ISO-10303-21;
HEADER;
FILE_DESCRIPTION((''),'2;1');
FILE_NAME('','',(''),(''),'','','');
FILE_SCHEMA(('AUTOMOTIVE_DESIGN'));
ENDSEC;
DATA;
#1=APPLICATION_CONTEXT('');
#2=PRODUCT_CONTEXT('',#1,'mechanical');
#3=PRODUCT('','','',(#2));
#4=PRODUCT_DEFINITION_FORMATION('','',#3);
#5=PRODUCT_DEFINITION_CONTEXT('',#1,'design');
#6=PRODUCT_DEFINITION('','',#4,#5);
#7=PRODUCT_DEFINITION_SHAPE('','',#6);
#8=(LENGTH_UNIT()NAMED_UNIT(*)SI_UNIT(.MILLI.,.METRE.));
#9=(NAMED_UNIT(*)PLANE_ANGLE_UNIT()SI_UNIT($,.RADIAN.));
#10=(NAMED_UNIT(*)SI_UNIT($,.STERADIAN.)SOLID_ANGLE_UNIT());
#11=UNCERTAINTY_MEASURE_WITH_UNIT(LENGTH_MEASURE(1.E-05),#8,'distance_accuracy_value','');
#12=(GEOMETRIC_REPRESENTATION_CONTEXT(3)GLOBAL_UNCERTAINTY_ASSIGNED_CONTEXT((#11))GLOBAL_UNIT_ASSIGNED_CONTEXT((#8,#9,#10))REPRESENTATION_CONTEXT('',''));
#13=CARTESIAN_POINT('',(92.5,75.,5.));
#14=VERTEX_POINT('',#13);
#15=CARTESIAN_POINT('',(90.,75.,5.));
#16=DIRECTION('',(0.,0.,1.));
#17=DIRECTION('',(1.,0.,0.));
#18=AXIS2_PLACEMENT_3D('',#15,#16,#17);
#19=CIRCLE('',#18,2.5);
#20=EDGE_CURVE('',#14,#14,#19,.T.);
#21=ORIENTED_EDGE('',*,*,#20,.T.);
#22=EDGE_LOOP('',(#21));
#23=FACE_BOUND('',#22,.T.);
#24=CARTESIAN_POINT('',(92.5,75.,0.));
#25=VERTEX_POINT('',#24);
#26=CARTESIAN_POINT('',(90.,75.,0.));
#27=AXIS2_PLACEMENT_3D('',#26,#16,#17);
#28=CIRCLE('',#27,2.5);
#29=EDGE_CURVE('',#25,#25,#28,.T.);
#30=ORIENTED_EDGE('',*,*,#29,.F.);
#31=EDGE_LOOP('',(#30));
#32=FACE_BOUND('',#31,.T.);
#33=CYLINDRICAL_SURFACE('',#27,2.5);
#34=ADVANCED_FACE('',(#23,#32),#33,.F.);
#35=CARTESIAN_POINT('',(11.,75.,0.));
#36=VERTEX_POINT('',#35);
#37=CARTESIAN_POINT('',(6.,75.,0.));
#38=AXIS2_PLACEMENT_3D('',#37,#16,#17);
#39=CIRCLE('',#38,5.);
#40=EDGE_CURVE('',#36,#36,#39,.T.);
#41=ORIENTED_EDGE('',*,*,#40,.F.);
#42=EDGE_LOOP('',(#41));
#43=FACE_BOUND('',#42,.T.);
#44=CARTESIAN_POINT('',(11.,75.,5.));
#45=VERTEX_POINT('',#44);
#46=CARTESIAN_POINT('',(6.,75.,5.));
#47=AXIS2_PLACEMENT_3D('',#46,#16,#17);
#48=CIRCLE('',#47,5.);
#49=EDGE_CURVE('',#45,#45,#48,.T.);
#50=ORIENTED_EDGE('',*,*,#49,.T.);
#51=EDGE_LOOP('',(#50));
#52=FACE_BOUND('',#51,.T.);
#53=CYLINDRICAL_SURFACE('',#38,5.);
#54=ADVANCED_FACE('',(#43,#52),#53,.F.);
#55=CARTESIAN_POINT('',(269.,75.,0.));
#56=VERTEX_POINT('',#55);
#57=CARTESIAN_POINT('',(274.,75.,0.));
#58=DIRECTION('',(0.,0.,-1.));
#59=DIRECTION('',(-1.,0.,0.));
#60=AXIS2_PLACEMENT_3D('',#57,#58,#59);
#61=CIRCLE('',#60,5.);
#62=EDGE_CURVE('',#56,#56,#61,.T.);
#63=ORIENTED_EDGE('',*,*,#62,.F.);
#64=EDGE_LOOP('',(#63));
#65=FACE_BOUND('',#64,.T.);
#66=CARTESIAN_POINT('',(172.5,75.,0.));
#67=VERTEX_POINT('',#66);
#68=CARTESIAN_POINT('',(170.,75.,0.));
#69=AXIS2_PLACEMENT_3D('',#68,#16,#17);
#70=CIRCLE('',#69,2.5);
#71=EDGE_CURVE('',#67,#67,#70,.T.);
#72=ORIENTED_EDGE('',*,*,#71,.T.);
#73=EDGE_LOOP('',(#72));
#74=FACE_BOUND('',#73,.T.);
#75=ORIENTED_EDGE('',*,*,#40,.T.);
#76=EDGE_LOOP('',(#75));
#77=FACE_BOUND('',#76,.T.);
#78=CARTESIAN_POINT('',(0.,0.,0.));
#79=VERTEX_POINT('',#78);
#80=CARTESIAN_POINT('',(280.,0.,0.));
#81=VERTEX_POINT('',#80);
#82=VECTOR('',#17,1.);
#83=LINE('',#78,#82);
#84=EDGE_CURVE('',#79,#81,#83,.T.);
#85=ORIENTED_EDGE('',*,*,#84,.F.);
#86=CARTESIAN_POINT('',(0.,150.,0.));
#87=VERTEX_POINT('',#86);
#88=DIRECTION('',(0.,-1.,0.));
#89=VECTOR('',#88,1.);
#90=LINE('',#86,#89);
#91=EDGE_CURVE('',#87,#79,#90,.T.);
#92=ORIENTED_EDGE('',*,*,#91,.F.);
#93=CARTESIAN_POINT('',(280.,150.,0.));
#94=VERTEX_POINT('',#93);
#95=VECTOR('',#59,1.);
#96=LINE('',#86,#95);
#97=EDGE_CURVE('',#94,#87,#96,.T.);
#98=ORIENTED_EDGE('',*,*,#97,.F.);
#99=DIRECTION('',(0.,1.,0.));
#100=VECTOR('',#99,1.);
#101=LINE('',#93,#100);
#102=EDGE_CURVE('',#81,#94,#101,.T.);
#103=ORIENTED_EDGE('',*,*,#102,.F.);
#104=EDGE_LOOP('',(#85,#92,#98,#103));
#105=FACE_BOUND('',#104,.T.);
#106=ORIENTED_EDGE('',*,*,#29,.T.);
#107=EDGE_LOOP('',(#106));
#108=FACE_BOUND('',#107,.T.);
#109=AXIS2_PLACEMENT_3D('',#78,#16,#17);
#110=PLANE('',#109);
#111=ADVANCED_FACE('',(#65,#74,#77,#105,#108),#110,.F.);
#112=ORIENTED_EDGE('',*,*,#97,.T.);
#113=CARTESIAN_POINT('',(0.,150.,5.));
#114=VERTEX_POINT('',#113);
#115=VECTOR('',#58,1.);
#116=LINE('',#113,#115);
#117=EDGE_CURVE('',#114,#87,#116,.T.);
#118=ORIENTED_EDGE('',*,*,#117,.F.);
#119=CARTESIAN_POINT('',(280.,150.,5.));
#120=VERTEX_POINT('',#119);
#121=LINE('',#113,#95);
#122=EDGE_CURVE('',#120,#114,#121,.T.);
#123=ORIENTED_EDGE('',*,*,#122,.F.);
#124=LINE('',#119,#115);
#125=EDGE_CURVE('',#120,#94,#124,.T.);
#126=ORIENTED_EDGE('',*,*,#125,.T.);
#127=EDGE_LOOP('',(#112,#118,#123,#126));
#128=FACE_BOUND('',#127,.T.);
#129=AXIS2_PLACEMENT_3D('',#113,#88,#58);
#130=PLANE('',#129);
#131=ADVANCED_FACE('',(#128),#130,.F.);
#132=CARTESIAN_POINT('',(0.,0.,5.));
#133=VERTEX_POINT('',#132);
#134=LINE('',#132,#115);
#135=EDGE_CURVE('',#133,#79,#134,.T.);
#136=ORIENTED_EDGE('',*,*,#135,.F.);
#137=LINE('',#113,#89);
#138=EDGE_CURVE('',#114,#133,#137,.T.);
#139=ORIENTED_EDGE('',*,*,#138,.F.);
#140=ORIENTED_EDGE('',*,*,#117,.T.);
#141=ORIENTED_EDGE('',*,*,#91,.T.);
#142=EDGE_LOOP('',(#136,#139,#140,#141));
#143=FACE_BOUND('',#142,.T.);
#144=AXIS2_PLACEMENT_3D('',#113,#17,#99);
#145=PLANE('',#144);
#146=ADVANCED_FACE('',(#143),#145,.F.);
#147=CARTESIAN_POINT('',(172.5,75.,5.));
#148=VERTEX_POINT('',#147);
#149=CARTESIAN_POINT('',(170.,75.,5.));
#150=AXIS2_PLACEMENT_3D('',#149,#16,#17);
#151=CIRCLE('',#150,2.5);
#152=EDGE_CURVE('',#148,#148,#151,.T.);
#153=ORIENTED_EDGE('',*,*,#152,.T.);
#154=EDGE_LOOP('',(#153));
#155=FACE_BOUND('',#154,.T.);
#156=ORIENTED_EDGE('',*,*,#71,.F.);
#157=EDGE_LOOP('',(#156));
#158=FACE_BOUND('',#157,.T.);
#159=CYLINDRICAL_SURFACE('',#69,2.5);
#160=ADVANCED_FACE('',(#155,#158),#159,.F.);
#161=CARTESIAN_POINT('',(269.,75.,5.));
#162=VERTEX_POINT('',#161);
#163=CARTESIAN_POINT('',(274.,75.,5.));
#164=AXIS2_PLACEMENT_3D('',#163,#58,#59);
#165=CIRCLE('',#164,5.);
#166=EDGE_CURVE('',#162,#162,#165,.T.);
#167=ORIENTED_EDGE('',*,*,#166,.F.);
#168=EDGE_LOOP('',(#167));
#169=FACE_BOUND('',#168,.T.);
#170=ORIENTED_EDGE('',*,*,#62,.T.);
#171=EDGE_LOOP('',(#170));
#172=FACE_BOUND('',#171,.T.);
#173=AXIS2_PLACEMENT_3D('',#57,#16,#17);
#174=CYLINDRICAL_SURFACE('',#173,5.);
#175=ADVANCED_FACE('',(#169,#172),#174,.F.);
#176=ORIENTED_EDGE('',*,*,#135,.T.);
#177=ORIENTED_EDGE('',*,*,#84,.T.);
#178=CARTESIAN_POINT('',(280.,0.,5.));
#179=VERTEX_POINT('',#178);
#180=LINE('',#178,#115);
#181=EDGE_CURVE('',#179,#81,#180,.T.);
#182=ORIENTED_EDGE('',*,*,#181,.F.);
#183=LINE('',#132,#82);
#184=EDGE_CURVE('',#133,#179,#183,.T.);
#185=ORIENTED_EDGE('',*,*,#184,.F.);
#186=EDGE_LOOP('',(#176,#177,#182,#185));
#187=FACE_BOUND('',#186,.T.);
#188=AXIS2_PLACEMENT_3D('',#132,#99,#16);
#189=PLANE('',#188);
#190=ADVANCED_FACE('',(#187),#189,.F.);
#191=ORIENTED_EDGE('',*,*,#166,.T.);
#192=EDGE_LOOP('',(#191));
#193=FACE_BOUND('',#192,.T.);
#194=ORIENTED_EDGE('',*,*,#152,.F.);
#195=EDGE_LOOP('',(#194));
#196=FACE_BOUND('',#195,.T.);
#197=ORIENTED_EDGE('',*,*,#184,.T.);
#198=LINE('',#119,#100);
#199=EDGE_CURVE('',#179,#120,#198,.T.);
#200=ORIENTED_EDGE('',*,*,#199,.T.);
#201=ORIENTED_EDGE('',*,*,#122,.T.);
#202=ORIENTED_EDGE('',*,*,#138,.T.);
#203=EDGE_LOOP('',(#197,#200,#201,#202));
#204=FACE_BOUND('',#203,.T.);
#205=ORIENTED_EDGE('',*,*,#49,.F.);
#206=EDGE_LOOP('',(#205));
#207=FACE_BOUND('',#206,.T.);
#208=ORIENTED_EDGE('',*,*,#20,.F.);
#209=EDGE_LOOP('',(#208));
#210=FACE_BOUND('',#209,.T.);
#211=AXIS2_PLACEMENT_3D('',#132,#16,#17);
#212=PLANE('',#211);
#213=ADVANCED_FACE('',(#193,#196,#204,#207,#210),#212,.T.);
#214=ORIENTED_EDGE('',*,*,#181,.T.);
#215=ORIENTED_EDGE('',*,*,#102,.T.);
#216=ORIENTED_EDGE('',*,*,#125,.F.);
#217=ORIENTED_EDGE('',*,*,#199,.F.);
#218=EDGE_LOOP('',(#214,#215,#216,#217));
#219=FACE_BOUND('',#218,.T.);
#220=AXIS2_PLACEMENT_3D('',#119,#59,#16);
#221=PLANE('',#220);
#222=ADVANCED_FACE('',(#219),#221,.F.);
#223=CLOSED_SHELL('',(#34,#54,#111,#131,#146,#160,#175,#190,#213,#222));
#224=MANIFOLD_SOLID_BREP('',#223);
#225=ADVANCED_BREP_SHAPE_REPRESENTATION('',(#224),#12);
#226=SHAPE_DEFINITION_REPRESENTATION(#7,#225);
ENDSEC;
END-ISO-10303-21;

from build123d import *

# Parameters (mm, degrees)
ESQUISSE1_W             = 280
ESQUISSE1_H             = 150
BOSS_EXTRU_1_DEPTH      = 5
ESQUISSE2_R             = 2.5
ENL_V_MAT_EXTRU_1_DEPTH = 5
ESQUISSE3_R             = 5
ENL_V_MAT_EXTRU_2_DEPTH = 6


with BuildPart() as part:
    # Esquisse1 → Boss.-Extru.1 (new body)
    with BuildSketch(Plane.XY):
        with Locations((140, 75)):
            Rectangle(ESQUISSE1_W, ESQUISSE1_H)
    extrude(amount=BOSS_EXTRU_1_DEPTH)

    # Esquisse2 → Enlèv. mat.-Extru.1 (cut)
    with BuildSketch(Plane.XY.offset(5)):
        with Locations((90, 75)):
            Circle(ESQUISSE2_R)
        with Locations((170, 75)):
            Circle(ESQUISSE2_R)
    extrude(amount=-ENL_V_MAT_EXTRU_1_DEPTH, mode=Mode.SUBTRACT)

    # Esquisse3 → Enlèv. mat.-Extru.2 (cut, through all)
    with BuildSketch(Plane.XY.offset(5)):
        with Locations((6, 75)):
            Circle(ESQUISSE3_R)
    enl_v_mat_extru_2 = extrude(amount=-ENL_V_MAT_EXTRU_2_DEPTH, mode=Mode.SUBTRACT)

    # Symétrie1: Enlèv. mat.-Extru.2 across plane
    add(enl_v_mat_extru_2.mirror(Plane.ZY.offset(-140)), mode=Mode.SUBTRACT)


solid = part.part
